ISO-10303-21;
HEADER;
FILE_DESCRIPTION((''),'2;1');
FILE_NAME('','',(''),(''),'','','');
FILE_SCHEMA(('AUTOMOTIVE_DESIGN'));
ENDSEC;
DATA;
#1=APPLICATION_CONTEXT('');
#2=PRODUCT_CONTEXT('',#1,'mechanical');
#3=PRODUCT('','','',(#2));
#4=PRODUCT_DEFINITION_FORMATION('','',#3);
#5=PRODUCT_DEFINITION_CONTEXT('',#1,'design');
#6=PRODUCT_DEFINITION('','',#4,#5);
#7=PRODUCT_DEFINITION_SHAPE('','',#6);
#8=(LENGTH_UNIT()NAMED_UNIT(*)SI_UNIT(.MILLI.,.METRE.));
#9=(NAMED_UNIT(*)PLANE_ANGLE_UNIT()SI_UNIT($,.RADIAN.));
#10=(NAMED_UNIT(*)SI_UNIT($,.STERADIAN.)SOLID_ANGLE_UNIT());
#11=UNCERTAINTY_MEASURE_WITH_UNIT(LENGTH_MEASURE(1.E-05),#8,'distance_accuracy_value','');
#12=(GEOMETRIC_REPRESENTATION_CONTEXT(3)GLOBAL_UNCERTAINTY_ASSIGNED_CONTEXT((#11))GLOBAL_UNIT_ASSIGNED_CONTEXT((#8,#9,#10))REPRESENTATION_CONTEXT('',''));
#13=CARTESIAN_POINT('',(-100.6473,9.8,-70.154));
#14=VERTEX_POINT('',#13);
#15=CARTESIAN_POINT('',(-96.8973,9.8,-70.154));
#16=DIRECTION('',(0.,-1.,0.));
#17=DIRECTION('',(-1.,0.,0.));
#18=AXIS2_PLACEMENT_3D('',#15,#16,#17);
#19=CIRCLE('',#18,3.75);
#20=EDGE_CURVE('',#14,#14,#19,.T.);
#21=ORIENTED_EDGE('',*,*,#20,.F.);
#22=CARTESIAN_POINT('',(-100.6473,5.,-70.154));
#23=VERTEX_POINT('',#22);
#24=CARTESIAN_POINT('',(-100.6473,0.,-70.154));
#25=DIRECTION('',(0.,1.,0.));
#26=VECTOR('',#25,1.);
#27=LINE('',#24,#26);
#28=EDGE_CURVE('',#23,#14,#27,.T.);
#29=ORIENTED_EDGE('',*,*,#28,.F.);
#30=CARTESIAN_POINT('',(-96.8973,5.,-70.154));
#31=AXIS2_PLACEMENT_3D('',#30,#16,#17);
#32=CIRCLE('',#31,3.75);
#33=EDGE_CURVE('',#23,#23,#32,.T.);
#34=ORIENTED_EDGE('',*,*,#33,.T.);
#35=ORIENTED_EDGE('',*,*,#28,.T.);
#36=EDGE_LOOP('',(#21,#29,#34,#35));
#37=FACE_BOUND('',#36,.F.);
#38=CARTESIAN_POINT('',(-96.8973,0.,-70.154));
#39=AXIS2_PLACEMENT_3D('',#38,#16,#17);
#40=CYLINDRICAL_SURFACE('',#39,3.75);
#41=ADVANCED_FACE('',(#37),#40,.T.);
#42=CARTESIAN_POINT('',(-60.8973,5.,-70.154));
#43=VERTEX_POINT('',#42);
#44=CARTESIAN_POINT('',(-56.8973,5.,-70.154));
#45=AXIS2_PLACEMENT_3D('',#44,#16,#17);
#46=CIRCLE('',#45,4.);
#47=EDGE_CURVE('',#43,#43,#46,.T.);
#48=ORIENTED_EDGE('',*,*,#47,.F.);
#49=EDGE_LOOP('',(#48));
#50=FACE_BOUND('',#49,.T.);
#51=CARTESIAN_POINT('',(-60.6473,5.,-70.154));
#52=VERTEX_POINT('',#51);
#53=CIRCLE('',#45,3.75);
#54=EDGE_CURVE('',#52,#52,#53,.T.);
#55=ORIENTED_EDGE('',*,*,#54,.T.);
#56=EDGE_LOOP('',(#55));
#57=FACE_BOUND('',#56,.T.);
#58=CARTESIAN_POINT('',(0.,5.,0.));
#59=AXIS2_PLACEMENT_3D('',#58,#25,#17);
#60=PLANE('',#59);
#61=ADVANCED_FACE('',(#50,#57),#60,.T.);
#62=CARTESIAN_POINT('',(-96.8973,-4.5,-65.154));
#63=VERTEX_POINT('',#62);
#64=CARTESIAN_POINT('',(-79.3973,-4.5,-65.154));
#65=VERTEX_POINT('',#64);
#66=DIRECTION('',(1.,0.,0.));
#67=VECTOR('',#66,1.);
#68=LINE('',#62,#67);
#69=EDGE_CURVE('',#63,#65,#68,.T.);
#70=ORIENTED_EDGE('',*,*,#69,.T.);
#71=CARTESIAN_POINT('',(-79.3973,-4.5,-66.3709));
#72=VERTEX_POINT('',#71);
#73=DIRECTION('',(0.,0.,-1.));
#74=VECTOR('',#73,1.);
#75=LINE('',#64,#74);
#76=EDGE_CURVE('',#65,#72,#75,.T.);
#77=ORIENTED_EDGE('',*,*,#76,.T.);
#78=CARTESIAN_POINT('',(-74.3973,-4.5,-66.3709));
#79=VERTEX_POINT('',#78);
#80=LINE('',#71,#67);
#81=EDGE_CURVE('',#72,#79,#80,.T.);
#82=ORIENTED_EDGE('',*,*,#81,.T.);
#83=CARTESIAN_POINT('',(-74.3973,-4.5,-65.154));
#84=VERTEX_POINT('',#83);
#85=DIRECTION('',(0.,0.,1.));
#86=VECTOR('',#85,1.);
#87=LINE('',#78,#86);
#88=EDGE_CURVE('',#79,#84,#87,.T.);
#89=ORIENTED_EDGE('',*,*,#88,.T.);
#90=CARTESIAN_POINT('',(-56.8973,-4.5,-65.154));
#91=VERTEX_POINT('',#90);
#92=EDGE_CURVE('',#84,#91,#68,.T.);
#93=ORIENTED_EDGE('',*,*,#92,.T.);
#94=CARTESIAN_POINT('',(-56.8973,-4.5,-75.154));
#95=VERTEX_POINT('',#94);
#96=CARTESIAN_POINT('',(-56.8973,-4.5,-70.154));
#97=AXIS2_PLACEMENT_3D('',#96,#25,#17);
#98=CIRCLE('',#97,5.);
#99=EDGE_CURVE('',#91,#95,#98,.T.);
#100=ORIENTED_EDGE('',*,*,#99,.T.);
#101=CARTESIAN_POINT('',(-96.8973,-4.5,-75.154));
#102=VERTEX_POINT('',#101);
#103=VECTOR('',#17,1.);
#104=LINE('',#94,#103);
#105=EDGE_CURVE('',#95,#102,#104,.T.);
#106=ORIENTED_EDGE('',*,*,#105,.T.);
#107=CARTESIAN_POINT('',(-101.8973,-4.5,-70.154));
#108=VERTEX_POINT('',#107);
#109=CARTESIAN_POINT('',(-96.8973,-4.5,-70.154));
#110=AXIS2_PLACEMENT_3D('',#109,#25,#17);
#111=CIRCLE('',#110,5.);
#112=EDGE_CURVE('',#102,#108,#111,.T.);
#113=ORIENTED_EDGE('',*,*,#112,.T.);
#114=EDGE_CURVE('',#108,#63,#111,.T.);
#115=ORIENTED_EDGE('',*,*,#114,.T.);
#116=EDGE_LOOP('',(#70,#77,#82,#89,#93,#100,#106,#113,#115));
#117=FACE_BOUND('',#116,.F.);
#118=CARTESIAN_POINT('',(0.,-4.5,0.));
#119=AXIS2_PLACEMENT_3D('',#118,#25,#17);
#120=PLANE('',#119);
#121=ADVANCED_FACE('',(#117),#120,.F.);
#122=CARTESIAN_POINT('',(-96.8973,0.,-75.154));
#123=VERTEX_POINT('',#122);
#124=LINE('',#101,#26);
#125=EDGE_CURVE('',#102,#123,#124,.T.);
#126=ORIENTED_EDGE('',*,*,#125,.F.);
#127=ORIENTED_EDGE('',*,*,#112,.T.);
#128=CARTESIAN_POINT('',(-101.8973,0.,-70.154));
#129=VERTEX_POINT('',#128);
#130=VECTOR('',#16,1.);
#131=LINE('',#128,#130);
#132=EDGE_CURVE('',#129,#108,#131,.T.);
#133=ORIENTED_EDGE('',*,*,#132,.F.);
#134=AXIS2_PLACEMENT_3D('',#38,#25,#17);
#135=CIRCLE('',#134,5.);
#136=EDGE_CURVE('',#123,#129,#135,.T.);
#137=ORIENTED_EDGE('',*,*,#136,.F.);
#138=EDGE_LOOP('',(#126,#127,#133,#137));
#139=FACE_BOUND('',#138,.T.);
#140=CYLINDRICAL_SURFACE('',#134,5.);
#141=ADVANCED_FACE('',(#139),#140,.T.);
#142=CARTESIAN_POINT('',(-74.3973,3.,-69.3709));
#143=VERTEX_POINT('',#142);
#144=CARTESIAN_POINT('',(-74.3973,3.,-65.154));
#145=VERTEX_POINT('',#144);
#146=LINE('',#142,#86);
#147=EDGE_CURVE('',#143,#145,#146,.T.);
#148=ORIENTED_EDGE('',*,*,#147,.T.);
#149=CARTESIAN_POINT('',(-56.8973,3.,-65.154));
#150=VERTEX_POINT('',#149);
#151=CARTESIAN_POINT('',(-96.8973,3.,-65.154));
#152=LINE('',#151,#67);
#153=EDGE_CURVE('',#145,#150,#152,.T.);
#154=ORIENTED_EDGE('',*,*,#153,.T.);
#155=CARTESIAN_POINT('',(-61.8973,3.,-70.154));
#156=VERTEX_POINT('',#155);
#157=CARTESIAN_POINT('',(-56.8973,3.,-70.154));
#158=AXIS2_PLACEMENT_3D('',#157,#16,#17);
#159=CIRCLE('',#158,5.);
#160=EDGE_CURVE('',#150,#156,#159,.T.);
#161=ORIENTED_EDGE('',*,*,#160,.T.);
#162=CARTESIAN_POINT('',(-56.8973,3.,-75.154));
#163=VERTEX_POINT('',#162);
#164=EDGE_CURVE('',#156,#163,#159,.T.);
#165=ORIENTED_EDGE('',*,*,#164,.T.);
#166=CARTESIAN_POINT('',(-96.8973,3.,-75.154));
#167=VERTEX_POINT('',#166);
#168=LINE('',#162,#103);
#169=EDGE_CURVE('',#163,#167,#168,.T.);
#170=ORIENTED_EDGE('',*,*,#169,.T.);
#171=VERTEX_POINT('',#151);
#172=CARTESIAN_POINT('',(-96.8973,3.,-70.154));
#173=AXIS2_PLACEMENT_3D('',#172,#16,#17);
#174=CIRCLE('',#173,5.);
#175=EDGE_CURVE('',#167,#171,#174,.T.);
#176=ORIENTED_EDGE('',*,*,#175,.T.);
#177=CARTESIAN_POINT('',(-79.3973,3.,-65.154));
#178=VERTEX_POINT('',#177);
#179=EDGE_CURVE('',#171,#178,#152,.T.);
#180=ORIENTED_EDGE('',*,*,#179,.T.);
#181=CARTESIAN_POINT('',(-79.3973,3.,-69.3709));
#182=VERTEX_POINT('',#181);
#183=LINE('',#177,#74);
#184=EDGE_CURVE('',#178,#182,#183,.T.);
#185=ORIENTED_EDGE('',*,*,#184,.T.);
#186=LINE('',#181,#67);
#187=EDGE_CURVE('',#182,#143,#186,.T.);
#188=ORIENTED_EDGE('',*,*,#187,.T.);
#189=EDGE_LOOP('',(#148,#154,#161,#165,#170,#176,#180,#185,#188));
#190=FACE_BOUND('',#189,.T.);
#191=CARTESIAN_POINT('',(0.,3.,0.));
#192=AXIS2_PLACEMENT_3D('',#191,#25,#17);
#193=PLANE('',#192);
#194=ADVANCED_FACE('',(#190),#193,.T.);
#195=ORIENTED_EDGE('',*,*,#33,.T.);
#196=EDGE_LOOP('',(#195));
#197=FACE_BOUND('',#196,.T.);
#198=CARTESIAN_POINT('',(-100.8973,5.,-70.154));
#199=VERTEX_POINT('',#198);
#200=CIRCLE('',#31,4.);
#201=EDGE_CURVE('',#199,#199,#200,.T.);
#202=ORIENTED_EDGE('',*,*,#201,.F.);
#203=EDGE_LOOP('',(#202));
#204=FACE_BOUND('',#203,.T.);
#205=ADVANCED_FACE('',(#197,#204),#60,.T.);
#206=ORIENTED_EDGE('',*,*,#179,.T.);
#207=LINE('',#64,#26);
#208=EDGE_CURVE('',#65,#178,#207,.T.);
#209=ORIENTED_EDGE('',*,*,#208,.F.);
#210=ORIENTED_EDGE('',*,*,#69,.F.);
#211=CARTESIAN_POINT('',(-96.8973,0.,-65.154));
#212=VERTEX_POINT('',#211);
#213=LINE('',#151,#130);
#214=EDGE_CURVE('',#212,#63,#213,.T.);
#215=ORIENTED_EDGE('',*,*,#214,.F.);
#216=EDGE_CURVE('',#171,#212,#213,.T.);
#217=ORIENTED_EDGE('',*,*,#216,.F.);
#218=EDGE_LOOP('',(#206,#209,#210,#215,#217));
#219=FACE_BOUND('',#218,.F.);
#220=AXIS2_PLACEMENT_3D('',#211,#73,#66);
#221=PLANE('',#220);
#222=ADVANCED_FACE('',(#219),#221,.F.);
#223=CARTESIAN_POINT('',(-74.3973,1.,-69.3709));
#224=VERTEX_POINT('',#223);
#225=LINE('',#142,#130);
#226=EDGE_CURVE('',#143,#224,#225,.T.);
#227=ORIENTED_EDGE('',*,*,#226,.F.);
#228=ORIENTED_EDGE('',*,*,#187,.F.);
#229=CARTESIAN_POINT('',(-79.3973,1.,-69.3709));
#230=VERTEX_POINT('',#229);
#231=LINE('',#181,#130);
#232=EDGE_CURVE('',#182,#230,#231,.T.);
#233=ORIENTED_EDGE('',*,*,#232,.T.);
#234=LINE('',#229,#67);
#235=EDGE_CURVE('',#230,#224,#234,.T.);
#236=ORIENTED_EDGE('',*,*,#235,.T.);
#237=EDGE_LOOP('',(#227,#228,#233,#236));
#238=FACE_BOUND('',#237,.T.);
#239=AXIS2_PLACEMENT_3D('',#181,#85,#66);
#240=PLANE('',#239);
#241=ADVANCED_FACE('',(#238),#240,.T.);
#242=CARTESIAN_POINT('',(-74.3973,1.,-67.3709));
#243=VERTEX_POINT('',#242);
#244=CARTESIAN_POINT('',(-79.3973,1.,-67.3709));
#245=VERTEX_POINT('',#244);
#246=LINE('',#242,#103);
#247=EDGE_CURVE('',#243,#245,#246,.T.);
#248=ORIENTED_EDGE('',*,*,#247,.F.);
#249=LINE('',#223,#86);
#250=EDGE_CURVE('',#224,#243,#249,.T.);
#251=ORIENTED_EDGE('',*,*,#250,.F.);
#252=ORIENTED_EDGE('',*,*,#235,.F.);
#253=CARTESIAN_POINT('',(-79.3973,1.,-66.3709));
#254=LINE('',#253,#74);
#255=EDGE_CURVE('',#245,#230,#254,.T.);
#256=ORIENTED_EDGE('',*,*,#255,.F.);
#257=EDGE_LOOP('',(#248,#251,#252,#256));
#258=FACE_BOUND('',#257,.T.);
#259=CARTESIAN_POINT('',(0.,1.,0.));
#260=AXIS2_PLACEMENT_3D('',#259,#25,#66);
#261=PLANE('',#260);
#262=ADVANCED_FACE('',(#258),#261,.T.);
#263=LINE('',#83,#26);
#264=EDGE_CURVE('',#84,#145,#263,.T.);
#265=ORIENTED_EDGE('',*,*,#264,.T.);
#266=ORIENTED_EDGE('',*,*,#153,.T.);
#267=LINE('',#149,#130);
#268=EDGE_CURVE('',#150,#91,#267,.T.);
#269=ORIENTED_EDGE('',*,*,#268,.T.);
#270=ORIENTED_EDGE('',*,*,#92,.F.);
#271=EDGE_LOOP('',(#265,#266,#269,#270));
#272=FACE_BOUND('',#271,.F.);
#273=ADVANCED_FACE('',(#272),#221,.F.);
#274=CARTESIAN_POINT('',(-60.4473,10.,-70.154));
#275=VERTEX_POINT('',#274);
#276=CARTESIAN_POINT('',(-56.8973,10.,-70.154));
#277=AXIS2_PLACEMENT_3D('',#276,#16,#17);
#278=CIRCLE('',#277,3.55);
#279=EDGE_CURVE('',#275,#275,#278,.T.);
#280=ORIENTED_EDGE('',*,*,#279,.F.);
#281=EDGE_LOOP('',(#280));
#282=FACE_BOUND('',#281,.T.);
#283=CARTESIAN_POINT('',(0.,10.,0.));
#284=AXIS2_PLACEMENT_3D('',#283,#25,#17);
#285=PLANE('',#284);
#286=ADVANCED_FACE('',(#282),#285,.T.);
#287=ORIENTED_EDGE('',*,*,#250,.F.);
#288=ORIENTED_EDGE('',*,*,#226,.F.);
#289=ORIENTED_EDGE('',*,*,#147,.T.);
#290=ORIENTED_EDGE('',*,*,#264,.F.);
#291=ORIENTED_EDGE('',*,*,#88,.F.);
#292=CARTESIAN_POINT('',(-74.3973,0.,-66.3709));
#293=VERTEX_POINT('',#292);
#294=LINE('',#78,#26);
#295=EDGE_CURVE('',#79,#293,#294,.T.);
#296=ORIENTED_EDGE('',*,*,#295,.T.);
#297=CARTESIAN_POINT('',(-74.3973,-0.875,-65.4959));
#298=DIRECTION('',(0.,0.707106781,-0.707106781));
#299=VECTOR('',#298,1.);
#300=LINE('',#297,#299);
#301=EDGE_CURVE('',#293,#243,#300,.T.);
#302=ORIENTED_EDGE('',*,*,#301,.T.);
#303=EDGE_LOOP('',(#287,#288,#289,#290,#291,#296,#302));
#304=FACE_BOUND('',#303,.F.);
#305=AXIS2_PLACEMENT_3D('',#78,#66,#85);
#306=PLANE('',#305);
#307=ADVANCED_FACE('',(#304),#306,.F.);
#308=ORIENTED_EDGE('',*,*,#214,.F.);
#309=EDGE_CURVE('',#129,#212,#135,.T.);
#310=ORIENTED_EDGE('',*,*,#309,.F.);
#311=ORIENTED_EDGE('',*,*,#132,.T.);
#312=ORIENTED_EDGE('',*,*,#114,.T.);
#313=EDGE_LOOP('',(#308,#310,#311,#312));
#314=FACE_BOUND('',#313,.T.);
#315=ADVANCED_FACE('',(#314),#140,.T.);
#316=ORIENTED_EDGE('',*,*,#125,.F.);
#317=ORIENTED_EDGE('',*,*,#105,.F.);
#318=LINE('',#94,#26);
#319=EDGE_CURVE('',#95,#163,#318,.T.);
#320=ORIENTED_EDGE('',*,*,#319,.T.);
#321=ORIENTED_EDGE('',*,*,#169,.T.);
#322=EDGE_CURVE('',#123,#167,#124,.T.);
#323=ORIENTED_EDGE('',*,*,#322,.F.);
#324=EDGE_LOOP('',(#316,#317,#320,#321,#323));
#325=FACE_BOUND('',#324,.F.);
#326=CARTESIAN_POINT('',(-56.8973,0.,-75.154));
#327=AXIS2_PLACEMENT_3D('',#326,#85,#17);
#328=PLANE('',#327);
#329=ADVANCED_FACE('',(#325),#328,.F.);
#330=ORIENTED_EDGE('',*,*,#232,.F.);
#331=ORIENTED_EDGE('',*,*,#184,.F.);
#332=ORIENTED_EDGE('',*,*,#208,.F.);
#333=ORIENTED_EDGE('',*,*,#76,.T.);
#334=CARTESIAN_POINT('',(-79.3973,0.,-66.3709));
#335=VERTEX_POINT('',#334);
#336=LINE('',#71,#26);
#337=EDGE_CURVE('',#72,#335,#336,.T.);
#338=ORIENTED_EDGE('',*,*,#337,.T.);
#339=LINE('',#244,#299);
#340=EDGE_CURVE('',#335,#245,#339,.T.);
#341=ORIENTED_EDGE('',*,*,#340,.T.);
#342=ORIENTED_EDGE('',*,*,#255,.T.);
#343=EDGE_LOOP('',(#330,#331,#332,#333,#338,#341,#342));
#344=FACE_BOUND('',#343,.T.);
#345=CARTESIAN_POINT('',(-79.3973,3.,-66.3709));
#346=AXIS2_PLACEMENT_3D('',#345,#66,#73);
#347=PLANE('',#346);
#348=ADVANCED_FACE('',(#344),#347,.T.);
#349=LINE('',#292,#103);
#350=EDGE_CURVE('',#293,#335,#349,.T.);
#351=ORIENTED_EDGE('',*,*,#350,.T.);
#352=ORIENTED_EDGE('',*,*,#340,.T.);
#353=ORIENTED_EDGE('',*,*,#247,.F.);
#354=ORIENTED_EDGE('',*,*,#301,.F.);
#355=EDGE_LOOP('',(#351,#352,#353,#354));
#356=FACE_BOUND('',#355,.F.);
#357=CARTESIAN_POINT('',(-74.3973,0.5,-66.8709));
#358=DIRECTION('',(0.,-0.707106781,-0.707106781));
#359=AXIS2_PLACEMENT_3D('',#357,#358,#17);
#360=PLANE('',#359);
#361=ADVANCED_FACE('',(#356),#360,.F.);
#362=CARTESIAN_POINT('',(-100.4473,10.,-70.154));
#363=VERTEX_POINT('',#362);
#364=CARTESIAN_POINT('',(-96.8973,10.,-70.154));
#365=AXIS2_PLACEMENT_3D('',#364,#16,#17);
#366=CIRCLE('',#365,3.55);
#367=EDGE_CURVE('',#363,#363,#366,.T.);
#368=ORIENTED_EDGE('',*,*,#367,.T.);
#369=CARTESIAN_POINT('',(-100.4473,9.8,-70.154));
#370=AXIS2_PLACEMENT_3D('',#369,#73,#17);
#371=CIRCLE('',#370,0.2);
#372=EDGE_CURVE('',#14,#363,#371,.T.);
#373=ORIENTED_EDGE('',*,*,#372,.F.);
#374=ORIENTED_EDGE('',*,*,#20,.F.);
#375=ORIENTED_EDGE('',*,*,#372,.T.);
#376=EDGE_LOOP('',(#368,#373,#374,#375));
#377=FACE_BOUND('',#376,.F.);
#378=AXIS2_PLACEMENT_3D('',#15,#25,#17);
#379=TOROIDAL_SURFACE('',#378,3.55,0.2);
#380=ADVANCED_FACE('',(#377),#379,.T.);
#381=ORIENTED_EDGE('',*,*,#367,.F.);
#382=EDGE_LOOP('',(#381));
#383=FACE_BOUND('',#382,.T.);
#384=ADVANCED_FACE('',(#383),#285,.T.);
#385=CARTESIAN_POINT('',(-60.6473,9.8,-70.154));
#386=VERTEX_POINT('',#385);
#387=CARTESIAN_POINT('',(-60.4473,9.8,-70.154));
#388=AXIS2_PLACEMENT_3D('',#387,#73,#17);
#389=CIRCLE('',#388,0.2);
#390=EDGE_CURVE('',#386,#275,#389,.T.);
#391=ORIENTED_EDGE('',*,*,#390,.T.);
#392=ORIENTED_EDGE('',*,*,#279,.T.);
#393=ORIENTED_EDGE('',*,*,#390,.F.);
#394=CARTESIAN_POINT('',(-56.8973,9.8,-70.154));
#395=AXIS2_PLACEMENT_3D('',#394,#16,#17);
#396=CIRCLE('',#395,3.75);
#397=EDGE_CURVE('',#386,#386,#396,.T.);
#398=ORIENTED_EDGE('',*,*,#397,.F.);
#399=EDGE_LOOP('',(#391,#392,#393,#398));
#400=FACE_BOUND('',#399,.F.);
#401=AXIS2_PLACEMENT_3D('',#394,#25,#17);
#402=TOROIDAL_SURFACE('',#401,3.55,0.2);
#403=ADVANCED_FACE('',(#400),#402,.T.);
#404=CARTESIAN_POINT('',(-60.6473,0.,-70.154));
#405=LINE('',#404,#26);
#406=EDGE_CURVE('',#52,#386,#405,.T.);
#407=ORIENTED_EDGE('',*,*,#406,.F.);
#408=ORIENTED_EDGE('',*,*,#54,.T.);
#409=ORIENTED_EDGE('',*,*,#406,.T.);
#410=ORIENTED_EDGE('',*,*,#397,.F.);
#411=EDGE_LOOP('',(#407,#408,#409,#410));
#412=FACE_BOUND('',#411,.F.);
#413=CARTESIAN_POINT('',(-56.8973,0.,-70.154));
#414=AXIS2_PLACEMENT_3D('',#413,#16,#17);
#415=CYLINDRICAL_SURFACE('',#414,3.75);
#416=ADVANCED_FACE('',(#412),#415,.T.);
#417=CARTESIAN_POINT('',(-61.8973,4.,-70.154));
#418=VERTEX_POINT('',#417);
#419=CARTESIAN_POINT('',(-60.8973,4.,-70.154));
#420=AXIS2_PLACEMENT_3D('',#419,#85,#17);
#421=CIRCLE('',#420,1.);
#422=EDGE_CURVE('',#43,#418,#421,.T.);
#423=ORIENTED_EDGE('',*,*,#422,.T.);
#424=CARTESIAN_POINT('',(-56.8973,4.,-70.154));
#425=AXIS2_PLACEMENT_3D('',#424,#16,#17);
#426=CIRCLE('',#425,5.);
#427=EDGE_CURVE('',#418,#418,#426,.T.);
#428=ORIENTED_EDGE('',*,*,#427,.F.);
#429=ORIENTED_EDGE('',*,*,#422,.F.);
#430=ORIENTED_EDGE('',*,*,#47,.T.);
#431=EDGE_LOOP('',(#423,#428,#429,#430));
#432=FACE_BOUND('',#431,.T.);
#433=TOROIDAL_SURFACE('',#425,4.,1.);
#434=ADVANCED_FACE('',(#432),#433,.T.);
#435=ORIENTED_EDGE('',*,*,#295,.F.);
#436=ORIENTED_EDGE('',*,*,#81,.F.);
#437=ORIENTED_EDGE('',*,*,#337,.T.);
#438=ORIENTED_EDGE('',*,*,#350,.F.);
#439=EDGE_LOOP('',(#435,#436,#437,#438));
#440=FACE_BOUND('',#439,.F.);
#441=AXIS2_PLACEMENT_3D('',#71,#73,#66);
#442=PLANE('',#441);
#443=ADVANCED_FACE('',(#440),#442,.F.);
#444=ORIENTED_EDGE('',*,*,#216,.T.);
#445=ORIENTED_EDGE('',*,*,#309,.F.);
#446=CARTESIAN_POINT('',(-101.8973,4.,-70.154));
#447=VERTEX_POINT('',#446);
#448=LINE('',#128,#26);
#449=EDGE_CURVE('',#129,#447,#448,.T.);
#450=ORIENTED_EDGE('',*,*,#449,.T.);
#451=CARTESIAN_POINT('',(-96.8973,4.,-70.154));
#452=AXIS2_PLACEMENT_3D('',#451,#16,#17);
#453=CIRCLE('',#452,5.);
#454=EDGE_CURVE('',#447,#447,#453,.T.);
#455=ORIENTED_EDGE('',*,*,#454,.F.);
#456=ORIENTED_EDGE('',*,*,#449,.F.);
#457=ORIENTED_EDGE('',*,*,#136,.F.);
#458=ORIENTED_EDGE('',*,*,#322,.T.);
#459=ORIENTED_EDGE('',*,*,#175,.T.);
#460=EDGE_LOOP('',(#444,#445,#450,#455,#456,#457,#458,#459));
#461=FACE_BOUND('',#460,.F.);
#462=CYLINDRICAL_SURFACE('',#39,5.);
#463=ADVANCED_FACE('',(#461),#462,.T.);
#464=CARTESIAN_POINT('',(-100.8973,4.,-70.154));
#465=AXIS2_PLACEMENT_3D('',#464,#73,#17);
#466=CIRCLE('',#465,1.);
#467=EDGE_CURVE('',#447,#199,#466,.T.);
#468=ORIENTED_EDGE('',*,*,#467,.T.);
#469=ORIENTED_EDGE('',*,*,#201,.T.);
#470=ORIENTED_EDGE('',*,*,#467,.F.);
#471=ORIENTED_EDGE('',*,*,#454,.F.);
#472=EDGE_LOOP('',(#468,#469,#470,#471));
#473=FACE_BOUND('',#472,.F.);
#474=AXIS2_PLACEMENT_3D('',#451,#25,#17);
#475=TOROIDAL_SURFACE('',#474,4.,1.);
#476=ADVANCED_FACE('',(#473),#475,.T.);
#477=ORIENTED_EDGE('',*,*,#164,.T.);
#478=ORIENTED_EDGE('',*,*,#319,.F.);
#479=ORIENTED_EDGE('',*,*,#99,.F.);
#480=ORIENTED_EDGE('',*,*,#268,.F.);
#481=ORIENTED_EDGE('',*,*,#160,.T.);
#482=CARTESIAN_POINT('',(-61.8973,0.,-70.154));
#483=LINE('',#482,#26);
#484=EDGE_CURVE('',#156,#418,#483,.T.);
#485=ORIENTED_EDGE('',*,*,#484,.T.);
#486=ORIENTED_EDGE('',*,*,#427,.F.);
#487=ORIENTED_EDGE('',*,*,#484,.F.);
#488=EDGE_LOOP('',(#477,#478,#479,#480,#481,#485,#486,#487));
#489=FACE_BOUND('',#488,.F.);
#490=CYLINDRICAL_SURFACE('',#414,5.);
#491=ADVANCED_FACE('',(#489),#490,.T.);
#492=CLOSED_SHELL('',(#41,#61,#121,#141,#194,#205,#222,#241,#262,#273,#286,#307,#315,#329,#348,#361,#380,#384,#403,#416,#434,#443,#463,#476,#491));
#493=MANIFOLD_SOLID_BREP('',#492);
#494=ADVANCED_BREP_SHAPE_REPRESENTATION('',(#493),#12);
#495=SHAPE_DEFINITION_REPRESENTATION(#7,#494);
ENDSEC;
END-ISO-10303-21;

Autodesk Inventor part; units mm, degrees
ref_plane "YZ Plane" through (0, 0, 0) normal (1, 0, 0) x (0, 1, 0)
ref_plane "XZ Plane" through (0, 0, 0) normal (0, 1, 0) x (-1, 0, 0)
ref_plane "XY Plane" through (0, 0, 0) normal (0, 0, 1) x (1, 0, 0)
sketch "Skizze1" plane through (0, 0, 0) normal (0, 1, 0) x (-1, 0, 0)
  line L0 (96.8973, -70.154) -> (56.8973, -70.154)
  circle A0 centre (56.8973, -70.154) radius 5
  circle A1 centre (96.8973, -70.154) radius 5
  circle A2 centre (96.8973, -70.154) radius 3.75
  circle A3 centre (56.8973, -70.154) radius 3.75
  line L1 (96.8973, -65.154) -> (56.8973, -65.154)
  line L2 (56.8973, -65.154) -> (56.8973, -75.154)
  line L3 (56.8973, -75.154) -> (96.8973, -75.154)
  line L4 (96.8973, -75.154) -> (96.8973, -65.154)
  dimension "d8" = 10
  dimension "d11" = 10
  dimension "d12" = 7.5
  dimension "d15" = 7.5
  dimension "d18" = 40
extrude "Extrusion1" add sketch "Skizze1" along normal blind 10 contours A3 L2 L0 | L0 L2 A3 | L2 A3 | A2 L4 L0 | L0 L4 A2 | L4 A2
extrude "Extrusion2" add sketch "Skizze1" along normal blind 5 contours A0 L2 A3 L0 | L0 A3 L2 A0 | A1 L4 A2 L0 | L0 A2 L4 A1 | L2 A3 A0 | A1 L4 A2
extrude "Extrusion3" add sketch "Skizze1" along normal blind 3 and the other way blind 4.5 contours A0 L2 A3 L0 | A0 L1 A1 L0 | L0 A3 L2 A0 | L0 A1 L3 A0 | A3 L2 L0 | L0 L2 A3 | A1 L4 A2 L0 | L0 A2 L4 A1 | A2 L4 L0 | L0 L4 A2
fillet "Rundung1" radius 1 2 edges at (-51.8973, 5, -70.154) (-91.8973, 5, -70.154)
fillet "Rundung2" radius 0.2 2 edges at (-53.1473, 10, -70.154) (-93.1473, 10, -70.154)
extrude "Extrusion4" add sketch "Skizze1" against normal blind 4.5 contours A0 L2 A3 L0 | L0 A3 L2 A0 | A3 L2 L0 | L0 L2 A3 | A1 L4 A2 L0 | L0 A2 L4 A1 | L2 A3 A0 | L2 A3 | A2 L4 L0 | L0 L4 A2 | A1 L4 A2 | L4 A2
sketch "Skizze2" plane through (0, -4.5, 0) normal (0, -1, 0) x (1, 0, 0)
  line L0 (-96.8973, -65.154) -> (-56.8973, -65.154) projected
  line L1 (-74.3973, -65.154) -> (-79.3973, -65.154)
  line L2 (-79.3973, -65.154) -> (-79.3973, -66.3709)
  line L3 (-79.3973, -66.3709) -> (-74.3973, -66.3709)
  line L4 (-74.3973, -66.3709) -> (-74.3973, -65.154)
  point P0 (0, 0)
  dimension "d31" = 5
  dimension "d32" = 17.5
extrude "Extrusion5" cut sketch "Skizze2" against normal blind 10
sketch "Skizze3" plane through (0, 3, 0) normal (0, 1, 0) x (1, 0, 0)
  line L0 (-74.3973, 66.3709) -> (-79.3973, 66.3709) projected
  line L1 (-74.3973, 66.3709) -> (-79.3973, 66.3709)
  line L2 (-79.3973, 66.3709) -> (-79.3973, 69.3709)
  line L3 (-79.3973, 69.3709) -> (-74.3973, 69.3709)
  line L4 (-74.3973, 69.3709) -> (-74.3973, 66.3709)
  point P0 (0, 0)
  dimension "d35" = 3
extrude "Extrusion6" cut sketch "Skizze3" against normal blind 2
chamfer "Fase1" distance 1 angle 45 1 edges at (-76.8973, 1, -66.3709)
properties part number "2er-Stecker"
